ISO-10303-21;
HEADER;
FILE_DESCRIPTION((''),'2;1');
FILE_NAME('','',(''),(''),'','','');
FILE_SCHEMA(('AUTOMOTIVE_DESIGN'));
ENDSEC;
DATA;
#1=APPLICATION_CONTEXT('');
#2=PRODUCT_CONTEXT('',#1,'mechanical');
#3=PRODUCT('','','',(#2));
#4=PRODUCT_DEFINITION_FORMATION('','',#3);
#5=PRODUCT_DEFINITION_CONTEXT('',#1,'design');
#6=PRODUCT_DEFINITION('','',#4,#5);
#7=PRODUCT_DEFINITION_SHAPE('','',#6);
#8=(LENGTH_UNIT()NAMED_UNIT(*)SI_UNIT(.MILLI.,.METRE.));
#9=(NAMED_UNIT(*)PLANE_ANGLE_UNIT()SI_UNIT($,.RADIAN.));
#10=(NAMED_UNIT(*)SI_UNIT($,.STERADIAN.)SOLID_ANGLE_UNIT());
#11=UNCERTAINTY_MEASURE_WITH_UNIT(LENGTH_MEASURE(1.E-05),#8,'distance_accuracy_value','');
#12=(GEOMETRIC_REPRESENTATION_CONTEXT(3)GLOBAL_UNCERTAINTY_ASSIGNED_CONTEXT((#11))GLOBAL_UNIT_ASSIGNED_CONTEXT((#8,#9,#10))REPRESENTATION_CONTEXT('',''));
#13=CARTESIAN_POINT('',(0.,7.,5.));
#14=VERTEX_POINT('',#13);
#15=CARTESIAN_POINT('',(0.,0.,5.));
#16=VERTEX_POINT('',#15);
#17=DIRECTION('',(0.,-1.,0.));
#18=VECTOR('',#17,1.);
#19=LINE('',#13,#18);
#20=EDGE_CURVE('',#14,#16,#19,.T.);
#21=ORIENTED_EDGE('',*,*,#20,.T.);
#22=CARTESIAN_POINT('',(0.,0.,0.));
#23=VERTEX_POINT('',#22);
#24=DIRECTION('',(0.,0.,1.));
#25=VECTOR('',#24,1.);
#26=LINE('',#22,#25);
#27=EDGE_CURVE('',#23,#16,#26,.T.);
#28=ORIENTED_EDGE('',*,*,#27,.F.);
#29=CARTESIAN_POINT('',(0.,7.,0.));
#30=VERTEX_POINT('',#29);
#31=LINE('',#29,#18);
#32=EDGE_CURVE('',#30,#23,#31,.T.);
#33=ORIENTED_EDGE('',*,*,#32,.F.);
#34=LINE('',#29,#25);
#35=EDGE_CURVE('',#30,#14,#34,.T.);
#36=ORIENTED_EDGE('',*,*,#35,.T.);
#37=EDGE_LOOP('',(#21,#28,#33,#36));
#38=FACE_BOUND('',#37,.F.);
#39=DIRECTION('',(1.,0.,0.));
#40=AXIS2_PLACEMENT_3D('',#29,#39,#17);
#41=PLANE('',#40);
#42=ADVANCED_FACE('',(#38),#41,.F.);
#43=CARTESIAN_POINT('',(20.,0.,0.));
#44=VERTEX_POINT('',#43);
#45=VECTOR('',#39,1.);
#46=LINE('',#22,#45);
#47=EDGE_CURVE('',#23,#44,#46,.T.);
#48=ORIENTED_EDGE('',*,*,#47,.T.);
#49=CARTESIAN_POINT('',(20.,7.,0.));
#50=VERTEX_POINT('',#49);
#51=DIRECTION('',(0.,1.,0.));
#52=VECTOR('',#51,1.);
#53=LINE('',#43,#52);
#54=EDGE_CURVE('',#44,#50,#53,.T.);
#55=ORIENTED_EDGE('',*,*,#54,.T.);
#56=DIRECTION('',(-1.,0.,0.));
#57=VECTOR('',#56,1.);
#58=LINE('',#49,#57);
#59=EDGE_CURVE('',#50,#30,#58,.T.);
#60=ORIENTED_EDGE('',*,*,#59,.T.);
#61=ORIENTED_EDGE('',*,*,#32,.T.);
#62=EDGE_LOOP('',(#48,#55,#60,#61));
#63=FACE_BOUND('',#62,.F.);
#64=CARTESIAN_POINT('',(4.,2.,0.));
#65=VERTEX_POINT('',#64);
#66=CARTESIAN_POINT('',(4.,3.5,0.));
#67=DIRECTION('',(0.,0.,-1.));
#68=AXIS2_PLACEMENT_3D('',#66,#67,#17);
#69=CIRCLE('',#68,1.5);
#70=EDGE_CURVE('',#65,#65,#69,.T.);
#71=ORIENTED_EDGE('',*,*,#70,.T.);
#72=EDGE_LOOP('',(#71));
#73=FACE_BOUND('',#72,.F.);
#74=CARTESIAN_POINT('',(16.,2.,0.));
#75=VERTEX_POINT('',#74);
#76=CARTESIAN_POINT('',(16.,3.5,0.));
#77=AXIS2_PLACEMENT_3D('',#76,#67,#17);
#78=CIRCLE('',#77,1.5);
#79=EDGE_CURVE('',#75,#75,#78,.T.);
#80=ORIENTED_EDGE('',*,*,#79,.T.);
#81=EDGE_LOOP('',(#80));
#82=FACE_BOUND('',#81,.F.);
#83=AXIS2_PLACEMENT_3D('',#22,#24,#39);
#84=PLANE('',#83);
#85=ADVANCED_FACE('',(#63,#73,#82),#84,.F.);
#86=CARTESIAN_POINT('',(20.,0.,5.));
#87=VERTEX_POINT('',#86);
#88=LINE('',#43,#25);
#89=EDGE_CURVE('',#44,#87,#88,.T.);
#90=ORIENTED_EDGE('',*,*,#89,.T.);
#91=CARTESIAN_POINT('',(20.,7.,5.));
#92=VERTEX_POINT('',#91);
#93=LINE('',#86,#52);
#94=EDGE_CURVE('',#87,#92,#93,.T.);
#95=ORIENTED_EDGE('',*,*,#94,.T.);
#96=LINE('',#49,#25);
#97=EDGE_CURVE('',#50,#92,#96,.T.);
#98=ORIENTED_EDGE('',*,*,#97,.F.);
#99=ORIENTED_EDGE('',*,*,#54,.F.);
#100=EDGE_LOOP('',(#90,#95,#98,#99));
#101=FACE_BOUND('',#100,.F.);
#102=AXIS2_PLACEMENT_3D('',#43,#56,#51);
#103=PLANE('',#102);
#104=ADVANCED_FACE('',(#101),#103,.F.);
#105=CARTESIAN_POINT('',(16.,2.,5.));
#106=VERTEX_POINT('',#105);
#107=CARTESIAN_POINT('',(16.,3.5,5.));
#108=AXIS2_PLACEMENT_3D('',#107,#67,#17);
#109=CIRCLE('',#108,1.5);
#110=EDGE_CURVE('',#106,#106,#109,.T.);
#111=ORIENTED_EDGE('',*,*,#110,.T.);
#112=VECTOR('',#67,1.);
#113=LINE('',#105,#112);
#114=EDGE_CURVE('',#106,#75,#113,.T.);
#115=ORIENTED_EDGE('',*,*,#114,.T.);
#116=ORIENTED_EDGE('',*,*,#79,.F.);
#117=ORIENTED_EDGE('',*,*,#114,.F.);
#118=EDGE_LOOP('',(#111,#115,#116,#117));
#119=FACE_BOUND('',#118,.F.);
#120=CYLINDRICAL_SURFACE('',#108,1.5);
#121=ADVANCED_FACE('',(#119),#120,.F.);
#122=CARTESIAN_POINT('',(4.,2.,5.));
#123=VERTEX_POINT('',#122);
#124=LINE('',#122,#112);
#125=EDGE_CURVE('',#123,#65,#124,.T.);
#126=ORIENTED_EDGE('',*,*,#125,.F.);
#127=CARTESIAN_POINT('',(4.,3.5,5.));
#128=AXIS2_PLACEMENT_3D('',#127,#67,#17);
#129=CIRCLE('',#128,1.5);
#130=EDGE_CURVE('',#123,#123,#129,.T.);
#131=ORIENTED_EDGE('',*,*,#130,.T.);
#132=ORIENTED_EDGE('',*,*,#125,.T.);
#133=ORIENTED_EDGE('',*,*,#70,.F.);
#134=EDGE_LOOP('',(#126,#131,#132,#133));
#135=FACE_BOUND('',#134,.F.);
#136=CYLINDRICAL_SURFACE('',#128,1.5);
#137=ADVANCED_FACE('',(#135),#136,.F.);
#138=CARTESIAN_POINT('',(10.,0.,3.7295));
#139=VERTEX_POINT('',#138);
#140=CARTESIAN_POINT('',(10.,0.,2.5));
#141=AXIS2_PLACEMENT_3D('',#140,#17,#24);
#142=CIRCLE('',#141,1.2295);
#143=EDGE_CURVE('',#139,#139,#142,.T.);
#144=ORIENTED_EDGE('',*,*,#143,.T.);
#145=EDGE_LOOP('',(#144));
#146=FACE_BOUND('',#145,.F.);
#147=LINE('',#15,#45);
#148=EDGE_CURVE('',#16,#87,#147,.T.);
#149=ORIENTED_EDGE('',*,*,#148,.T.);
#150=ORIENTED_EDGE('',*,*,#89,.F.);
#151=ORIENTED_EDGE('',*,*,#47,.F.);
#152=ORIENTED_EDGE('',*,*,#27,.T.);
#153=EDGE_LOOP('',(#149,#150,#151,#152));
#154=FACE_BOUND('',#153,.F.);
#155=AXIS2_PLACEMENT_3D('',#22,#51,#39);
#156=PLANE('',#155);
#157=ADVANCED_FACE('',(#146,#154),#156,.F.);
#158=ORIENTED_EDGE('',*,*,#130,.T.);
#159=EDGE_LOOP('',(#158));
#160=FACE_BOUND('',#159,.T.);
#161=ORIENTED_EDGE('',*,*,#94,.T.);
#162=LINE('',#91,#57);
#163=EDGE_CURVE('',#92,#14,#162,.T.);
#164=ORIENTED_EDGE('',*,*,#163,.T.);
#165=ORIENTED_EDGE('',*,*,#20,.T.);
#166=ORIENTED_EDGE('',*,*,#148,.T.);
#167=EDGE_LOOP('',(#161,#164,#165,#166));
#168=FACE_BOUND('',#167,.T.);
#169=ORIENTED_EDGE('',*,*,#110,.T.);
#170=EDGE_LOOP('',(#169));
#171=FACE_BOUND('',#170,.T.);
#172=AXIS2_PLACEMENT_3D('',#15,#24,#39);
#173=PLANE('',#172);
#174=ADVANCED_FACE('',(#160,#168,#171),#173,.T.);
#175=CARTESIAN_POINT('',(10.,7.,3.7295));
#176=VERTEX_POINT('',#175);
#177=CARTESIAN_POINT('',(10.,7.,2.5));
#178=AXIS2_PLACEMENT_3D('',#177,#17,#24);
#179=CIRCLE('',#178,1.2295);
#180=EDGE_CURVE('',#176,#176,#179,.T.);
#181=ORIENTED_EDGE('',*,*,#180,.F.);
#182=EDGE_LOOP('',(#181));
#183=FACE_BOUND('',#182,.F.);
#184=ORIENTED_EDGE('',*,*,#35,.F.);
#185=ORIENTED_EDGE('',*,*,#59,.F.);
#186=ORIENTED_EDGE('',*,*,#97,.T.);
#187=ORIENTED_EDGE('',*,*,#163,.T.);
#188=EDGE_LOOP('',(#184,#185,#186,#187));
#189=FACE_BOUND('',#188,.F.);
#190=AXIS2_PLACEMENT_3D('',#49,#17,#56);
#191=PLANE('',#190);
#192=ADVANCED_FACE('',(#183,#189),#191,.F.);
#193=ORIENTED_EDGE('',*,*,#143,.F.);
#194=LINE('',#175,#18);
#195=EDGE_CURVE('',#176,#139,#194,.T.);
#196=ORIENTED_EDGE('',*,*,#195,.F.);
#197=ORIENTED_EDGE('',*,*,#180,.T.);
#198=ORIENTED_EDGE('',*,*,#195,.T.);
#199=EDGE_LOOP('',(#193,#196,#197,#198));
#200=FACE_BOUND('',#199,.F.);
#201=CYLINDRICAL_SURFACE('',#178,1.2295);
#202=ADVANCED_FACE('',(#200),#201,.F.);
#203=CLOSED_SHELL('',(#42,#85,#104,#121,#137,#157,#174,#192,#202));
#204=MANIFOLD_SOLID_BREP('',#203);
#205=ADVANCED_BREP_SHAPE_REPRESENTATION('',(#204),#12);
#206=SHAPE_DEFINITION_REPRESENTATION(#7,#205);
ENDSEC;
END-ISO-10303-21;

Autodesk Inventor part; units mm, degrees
ref_plane "YZ Plane" through (0, 0, 0) normal (1, 0, 0) x (0, 1, 0)
ref_plane "XZ Plane" through (0, 0, 0) normal (0, 1, 0) x (-1, 0, 0)
ref_plane "XY Plane" through (0, 0, 0) normal (0, 0, 1) x (1, 0, 0)
sketch "スケッチ1" plane through (0, 0, 0) normal (0, 0, 1) x (1, 0, 0)
  line L0 (0, 0) -> (20, 0)
  line L1 (20, 0) -> (20, 7)
  line L2 (20, 7) -> (0, 7)
  line L3 (0, 7) -> (0, 0)
  dimension "d0" = 7
  dimension "d1" = 20
extrude "押し出し1" add sketch "スケッチ1" along normal blind 5
sketch "スケッチ2" plane through (0, 7, 0) normal (0, 1, 0) x (1, 0, 0)
  line L0 (20, 0) -> (0, 0) projected
  point P0 (10, -2.5)
  dimension "d4" = 2.5
hole "穴1" at (10, 7, 2.5) direction (0, -1, 0) diameter 2.459 end through all thread size "M3x0.5" class "6H" standard "ISO Metric profile"
sketch "スケッチ3" plane through (0, 0, 5) normal (0, 0, 1) x (1, 0, 0)
  line L0 (8.7705, 7) -> (11.2295, 7) projected
  line L1 (10, 7) -> (10, 0)
  line L2 (20, 7) -> (0, 7) projected
  point P0 (0, 0)
  point P1 (4, 3.5)
  point P2 (16, 3.5)
  dimension "d12" = 6
  dimension "d13" = 3.5
hole "穴2" at (4, 3.5, 5) at (16, 3.5, 5) direction (0, 0, -1) diameter 3 depth 20 tip angle 118
properties part number "シリンダーの先に着けるやつ"
